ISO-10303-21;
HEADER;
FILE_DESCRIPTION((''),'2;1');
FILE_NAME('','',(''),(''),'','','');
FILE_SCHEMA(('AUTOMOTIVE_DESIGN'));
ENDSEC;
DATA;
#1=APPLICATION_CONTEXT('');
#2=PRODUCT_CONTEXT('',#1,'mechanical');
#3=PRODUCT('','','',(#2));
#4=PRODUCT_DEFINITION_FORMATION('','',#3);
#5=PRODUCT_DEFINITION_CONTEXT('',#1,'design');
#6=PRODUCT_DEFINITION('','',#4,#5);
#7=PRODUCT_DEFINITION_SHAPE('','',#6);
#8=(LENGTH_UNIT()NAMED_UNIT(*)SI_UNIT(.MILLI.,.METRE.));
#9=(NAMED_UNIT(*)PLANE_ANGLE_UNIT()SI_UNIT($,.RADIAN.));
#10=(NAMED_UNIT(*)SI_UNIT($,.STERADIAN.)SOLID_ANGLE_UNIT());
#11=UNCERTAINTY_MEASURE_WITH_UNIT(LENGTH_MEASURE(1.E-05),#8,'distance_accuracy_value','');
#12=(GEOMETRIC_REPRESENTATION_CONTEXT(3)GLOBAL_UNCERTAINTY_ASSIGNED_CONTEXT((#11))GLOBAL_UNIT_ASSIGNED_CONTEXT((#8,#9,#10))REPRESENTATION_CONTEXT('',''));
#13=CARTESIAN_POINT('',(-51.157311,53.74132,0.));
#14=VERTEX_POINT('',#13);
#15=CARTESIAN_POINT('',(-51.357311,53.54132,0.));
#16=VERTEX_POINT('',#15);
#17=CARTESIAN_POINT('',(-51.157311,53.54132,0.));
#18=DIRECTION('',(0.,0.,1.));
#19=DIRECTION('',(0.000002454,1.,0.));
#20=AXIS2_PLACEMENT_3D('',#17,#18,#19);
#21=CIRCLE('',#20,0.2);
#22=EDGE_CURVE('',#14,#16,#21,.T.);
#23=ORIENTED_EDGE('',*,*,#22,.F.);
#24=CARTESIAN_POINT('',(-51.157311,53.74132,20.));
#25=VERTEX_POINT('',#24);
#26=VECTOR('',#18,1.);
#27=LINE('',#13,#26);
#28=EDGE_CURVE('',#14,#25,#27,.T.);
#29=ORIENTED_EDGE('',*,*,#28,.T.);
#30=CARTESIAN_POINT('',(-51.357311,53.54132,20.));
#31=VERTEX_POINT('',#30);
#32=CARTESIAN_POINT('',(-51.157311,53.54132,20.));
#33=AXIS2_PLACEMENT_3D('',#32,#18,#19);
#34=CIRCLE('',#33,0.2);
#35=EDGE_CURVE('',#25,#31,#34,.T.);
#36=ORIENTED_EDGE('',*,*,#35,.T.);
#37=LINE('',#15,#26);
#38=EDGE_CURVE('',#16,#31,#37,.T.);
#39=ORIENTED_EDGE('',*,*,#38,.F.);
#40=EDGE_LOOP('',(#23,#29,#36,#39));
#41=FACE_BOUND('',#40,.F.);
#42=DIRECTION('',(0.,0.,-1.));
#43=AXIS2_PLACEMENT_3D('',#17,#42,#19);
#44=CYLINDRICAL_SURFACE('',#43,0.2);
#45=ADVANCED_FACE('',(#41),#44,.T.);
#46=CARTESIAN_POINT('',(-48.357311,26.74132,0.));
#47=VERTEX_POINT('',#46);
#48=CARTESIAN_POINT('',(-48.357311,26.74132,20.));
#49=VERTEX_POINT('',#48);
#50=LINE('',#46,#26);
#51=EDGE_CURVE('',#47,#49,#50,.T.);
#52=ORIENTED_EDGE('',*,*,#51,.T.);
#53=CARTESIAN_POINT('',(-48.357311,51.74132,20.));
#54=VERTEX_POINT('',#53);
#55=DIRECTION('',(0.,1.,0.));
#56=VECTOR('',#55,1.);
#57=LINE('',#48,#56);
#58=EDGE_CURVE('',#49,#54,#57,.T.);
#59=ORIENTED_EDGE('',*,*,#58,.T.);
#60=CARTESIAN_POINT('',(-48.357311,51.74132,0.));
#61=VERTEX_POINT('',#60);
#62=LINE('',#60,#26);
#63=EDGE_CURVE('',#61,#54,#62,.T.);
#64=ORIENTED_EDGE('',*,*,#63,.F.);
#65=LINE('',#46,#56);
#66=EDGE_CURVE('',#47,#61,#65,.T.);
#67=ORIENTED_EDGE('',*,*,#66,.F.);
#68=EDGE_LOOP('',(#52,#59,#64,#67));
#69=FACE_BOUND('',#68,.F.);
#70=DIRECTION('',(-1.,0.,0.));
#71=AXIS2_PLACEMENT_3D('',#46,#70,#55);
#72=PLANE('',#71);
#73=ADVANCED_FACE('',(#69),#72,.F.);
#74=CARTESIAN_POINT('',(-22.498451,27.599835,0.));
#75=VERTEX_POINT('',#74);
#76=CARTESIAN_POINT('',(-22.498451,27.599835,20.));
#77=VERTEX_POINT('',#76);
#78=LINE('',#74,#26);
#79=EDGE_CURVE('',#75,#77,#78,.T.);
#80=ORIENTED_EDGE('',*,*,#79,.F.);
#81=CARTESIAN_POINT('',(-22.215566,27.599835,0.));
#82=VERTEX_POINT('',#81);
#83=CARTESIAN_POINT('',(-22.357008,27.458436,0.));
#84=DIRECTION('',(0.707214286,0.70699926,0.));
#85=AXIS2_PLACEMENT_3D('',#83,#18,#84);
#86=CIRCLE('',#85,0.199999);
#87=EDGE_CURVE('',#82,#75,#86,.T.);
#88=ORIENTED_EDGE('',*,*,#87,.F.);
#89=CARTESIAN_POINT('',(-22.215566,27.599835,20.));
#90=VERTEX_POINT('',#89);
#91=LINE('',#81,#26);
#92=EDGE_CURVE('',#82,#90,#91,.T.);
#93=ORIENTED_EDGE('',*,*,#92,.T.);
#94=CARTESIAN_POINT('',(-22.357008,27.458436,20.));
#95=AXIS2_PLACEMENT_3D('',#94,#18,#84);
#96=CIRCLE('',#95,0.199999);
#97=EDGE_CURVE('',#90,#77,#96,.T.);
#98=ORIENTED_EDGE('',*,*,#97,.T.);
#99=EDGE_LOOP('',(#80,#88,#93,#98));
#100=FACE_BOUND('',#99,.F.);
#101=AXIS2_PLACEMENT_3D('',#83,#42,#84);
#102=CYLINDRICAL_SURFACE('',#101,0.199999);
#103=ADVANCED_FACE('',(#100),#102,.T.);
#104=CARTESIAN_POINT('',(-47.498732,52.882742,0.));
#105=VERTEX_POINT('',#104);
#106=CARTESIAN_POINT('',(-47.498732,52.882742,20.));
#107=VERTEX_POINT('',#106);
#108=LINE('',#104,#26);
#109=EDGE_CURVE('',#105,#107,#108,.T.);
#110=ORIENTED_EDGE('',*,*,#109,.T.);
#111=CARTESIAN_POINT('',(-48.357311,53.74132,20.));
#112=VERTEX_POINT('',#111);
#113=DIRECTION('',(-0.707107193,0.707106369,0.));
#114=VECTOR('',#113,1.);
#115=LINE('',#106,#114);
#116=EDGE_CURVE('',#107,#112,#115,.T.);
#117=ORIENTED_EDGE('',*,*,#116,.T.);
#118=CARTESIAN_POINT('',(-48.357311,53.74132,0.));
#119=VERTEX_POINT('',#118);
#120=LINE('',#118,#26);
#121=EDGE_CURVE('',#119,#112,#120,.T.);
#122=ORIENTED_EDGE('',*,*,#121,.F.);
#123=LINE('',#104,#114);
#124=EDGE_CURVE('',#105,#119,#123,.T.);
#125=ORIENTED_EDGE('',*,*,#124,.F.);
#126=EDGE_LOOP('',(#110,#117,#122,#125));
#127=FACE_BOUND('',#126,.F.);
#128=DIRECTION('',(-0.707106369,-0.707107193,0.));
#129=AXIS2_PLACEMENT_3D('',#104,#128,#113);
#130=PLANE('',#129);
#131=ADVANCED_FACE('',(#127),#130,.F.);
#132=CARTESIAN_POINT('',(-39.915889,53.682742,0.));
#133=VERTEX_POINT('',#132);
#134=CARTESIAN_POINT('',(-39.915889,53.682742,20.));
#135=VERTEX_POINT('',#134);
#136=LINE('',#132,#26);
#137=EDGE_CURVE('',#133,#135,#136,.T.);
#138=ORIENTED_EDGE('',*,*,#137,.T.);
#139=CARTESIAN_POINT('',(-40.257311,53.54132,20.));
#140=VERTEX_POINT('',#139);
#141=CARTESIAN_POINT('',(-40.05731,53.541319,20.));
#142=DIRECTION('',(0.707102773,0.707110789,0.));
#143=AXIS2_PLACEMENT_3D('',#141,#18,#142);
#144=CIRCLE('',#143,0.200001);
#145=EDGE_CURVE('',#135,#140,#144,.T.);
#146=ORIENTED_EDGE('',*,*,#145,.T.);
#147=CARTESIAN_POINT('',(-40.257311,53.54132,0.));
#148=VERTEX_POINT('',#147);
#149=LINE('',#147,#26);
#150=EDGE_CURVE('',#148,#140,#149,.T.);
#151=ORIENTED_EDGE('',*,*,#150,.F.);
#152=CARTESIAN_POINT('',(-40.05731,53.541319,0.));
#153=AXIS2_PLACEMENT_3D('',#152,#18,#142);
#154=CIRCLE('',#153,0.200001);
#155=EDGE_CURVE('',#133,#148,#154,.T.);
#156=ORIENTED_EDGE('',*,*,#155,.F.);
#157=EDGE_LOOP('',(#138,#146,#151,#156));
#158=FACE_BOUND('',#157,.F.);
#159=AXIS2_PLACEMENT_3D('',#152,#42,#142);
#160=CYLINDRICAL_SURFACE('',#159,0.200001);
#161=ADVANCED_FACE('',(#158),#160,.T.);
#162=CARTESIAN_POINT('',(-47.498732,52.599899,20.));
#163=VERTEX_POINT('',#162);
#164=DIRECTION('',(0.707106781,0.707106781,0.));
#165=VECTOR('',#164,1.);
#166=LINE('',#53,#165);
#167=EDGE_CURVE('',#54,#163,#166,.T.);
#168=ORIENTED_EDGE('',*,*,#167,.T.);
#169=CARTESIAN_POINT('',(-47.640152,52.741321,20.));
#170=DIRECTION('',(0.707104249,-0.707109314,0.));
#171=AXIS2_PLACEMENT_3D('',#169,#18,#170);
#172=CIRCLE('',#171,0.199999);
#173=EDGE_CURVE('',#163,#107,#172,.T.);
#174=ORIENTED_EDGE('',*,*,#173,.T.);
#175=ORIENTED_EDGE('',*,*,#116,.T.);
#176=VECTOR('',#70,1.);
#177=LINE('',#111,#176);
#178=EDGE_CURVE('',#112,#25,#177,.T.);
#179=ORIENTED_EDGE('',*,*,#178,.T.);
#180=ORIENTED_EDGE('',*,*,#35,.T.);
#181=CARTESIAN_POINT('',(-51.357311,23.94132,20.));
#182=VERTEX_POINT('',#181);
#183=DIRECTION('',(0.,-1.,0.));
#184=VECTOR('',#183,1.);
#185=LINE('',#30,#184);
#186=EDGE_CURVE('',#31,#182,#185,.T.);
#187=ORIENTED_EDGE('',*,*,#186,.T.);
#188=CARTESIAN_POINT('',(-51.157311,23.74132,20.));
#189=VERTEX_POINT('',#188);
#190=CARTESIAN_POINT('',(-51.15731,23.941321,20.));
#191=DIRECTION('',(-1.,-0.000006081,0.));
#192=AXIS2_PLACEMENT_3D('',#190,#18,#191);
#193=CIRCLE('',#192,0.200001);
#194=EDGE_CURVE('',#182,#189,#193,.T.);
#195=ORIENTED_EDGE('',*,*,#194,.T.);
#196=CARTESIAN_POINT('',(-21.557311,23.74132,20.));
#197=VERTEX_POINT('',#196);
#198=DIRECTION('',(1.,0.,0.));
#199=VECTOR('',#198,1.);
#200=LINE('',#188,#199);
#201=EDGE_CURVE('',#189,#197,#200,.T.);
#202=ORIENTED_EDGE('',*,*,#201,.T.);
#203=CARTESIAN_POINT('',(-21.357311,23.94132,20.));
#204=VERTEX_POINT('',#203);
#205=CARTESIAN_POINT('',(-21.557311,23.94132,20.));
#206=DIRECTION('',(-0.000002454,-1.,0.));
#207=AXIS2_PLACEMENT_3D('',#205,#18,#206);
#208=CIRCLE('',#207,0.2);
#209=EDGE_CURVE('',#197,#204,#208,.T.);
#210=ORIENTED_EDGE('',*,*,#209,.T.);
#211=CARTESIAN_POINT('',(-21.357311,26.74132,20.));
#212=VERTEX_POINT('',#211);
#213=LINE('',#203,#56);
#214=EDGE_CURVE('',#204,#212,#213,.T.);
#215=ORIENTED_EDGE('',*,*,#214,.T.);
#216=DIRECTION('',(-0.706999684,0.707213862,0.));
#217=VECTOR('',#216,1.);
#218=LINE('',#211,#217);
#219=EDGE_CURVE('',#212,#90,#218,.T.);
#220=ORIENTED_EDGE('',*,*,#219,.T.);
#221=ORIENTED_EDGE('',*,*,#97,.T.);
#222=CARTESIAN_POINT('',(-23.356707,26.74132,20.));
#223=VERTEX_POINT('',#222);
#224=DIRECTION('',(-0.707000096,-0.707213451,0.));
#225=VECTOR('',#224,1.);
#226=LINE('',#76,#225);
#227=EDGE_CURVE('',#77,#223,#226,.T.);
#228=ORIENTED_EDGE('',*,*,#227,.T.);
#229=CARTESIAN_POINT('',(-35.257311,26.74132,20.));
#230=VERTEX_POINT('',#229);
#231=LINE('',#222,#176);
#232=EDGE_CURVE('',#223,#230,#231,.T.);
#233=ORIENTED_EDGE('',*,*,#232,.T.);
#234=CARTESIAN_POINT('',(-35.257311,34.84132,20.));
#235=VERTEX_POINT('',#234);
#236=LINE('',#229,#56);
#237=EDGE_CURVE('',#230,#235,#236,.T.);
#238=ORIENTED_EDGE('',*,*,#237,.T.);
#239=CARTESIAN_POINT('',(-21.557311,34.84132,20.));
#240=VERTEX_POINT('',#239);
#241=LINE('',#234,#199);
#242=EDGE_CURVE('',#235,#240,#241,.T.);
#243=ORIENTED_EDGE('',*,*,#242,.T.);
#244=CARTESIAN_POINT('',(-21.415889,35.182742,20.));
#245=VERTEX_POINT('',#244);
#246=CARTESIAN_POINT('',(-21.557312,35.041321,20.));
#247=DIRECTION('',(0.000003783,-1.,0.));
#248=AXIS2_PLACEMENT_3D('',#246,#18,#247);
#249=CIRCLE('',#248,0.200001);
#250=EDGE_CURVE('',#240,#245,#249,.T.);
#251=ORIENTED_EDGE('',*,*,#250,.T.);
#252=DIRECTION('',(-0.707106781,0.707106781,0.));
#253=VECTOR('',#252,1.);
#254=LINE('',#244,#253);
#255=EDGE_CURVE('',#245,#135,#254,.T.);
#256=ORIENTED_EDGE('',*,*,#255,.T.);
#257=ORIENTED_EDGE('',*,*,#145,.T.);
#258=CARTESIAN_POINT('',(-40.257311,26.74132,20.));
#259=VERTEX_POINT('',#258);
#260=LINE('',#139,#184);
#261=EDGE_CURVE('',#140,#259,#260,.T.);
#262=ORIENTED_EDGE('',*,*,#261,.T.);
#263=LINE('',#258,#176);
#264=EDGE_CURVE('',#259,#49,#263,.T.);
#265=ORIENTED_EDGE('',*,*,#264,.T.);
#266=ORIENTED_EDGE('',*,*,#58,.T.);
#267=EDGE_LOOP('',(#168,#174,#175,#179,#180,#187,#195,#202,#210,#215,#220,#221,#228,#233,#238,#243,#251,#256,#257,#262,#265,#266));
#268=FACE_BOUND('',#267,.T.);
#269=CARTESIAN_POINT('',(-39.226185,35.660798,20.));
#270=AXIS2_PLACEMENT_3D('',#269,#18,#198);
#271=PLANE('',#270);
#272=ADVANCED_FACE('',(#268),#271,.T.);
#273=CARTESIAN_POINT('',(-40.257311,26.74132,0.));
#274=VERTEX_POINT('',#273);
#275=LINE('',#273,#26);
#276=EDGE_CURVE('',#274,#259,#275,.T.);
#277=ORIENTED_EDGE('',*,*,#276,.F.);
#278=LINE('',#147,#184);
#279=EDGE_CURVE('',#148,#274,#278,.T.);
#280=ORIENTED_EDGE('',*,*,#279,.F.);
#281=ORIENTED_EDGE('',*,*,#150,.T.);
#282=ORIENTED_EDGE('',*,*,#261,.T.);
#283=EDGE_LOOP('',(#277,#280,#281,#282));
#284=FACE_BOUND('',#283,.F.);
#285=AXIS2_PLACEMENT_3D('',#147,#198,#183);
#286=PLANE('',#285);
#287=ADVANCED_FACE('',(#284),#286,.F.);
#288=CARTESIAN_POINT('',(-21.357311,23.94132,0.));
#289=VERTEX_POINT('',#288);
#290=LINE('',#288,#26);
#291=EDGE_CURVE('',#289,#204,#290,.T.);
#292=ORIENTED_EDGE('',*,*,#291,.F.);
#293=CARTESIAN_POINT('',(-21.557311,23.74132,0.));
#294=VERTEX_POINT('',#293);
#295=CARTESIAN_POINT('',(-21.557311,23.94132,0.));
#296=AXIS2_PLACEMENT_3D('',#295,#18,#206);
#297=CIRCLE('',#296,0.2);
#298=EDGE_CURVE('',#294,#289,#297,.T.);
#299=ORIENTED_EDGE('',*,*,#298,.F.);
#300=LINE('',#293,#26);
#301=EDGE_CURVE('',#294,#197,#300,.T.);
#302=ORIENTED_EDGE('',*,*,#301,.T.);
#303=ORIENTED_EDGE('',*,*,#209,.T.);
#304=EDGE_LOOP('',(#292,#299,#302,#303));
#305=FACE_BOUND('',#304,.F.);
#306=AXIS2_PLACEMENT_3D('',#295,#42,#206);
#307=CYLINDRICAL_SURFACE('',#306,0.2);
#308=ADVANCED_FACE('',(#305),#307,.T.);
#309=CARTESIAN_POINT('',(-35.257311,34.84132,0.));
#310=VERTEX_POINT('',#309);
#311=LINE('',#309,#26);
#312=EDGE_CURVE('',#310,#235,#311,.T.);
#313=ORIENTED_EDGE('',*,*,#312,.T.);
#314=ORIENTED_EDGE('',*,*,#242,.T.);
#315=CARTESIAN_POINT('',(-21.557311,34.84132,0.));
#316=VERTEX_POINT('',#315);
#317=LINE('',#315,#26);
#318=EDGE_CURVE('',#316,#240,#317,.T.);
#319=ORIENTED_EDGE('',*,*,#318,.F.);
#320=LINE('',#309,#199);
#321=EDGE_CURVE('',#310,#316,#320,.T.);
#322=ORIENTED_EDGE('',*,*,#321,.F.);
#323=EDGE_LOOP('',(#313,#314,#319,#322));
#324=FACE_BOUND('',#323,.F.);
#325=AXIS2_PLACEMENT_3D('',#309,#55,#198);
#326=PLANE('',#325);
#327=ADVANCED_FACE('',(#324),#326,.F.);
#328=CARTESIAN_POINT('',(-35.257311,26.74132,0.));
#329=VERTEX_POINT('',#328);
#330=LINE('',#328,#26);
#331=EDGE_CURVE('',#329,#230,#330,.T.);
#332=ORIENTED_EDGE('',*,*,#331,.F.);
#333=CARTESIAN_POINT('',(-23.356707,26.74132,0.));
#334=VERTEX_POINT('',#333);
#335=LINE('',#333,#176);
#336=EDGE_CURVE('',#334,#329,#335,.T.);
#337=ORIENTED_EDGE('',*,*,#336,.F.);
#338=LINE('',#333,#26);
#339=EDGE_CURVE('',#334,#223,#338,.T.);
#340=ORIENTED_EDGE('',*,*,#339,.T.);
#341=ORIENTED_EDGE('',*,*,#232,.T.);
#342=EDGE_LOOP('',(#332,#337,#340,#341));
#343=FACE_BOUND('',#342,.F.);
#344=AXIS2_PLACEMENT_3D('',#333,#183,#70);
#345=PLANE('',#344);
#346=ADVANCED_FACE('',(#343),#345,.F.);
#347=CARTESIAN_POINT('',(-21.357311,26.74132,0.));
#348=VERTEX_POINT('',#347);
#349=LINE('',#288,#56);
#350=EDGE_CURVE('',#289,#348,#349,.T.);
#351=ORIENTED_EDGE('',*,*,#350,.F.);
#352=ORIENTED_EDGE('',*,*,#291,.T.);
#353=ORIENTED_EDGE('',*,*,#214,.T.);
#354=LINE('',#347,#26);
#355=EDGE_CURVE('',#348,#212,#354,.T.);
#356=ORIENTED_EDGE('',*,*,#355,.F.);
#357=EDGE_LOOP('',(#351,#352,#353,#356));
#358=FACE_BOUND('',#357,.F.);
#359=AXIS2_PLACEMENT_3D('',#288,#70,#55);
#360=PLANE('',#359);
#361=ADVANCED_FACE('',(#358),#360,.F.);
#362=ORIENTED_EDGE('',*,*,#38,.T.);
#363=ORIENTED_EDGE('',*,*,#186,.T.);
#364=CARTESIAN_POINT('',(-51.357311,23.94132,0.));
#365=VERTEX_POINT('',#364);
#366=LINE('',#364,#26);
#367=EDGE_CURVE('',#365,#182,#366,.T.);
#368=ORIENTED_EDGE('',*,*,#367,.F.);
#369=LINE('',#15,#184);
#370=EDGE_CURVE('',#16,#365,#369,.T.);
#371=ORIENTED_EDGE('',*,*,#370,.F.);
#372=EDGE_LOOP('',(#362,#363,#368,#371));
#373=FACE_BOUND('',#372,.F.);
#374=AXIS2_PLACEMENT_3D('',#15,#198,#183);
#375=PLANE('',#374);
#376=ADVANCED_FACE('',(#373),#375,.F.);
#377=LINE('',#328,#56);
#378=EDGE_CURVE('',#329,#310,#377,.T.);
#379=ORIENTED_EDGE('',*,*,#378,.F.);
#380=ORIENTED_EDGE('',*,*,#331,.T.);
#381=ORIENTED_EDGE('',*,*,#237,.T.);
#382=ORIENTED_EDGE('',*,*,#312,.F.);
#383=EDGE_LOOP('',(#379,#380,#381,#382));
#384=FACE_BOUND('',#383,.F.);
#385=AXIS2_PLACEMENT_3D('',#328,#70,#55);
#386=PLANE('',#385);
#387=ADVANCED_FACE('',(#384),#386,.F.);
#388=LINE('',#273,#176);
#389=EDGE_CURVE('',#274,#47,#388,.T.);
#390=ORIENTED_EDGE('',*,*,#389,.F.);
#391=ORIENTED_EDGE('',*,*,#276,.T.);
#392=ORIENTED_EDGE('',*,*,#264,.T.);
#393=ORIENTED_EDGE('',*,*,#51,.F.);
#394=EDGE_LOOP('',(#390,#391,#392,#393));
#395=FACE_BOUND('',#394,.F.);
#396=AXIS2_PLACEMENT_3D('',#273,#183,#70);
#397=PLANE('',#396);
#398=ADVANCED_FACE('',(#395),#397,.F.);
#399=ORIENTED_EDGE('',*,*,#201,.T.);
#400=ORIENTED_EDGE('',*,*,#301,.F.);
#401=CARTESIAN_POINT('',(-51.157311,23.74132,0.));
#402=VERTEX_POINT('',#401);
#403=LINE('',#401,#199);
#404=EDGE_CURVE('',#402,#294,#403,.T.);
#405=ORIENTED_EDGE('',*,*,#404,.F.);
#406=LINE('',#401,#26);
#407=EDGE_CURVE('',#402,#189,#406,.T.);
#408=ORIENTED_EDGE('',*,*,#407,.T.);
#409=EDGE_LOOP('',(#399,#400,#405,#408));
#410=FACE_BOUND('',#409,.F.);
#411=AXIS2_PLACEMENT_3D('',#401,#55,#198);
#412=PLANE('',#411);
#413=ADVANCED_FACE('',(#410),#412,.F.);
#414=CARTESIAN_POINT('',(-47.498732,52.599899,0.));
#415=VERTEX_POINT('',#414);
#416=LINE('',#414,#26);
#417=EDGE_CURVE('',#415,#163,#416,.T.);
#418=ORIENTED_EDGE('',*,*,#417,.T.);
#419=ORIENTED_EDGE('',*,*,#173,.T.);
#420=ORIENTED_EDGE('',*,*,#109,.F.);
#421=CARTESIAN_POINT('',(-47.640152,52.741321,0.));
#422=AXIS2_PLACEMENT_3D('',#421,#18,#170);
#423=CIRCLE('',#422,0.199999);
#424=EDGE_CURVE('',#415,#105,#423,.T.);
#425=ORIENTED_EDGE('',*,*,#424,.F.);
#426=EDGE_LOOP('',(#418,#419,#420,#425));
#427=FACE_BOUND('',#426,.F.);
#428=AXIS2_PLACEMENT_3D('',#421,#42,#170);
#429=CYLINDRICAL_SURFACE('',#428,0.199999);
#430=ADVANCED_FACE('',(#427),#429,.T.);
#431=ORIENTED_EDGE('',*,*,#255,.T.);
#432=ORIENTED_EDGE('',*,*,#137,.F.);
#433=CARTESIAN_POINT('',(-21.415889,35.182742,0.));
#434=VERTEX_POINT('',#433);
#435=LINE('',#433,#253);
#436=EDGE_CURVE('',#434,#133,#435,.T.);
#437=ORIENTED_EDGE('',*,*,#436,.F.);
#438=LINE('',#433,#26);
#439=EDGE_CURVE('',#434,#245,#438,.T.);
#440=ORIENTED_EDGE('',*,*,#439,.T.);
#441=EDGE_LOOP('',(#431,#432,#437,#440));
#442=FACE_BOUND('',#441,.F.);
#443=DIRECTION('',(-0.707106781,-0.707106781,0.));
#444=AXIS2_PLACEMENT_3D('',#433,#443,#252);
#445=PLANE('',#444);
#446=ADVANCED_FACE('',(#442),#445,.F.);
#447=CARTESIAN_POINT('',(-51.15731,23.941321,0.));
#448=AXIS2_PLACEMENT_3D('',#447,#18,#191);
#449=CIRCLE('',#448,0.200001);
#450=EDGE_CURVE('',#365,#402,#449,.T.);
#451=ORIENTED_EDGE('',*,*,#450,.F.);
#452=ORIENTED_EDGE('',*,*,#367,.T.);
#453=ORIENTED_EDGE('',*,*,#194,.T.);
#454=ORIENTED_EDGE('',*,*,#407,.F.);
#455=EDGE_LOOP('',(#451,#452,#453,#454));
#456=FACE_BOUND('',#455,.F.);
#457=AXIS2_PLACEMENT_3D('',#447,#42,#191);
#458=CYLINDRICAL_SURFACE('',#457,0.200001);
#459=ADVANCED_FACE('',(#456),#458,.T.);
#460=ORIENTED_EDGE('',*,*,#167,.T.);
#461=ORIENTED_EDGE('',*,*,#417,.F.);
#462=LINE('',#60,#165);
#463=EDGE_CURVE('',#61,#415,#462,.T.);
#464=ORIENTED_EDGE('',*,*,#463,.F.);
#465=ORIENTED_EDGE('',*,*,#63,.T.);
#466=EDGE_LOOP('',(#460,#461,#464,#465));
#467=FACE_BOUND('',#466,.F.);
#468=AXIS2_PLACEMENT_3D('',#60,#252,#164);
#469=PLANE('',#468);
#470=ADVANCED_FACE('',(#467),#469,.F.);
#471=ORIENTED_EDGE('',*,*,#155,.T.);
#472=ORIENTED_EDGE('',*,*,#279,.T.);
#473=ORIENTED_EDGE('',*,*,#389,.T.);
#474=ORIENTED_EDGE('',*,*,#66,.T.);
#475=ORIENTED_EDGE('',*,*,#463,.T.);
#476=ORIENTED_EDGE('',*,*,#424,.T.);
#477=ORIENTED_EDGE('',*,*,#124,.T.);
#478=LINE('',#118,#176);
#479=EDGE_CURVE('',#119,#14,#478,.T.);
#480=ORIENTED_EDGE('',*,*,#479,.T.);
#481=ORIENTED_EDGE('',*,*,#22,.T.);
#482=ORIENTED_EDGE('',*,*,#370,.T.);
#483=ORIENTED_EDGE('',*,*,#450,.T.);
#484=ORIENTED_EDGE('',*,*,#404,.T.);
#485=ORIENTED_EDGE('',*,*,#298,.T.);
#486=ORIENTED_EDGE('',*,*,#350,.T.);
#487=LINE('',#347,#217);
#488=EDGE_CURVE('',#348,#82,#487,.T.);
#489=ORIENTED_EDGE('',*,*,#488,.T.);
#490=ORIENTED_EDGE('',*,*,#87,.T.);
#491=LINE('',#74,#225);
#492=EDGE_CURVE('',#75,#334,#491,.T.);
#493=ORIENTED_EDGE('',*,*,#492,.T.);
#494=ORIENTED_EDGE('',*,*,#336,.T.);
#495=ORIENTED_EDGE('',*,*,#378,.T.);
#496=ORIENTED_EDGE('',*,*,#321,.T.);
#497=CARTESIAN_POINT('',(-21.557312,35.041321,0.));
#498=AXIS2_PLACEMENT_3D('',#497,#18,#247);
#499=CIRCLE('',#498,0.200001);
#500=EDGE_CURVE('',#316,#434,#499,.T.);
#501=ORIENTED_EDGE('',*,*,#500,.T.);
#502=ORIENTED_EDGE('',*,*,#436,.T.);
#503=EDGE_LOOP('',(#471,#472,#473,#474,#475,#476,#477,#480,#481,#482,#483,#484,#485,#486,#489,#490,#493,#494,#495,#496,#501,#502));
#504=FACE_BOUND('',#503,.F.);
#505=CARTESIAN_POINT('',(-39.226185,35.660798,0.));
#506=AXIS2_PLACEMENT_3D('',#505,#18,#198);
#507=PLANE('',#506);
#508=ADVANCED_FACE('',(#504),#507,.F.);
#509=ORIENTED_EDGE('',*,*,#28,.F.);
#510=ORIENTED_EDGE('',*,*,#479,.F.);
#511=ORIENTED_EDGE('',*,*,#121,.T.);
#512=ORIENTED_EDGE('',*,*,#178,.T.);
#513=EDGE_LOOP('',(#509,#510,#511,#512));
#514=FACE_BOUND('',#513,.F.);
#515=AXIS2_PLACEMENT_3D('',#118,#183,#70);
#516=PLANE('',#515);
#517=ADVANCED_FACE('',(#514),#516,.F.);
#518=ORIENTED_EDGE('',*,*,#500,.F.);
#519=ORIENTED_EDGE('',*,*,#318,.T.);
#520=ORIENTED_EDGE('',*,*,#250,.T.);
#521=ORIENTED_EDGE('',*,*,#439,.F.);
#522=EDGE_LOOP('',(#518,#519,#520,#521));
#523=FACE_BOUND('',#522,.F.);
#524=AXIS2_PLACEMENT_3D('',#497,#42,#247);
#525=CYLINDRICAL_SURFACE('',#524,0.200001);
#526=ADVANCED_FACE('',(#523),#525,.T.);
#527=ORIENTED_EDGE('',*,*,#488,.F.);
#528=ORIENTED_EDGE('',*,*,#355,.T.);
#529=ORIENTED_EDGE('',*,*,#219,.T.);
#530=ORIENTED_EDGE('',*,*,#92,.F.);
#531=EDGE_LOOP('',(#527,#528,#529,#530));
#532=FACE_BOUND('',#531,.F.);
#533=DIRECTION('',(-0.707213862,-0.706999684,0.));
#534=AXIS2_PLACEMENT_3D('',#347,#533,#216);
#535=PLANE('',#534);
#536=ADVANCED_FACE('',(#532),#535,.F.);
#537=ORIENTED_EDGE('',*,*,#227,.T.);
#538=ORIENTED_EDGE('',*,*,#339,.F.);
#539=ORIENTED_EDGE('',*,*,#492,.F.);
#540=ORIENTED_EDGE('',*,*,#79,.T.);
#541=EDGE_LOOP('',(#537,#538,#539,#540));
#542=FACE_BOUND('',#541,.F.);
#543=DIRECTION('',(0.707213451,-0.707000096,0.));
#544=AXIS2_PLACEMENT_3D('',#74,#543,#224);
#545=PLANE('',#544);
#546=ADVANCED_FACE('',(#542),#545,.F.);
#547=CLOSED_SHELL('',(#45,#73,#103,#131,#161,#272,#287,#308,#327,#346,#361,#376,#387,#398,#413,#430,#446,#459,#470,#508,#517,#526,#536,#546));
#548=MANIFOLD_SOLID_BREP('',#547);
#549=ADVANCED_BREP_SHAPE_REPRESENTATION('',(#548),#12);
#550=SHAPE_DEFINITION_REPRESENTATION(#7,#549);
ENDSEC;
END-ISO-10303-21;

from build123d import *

# Parameters (mm, degrees)
F1_DEPTH = 20


with BuildPart() as f1:
    # F0 (on Top) → F1 (new body)
    with BuildSketch(Plane.XY):
        with BuildLine():
            Line((-48.357311, 53.74132), (-51.157311, 53.74132))
            ThreePointArc((-51.157311, 53.74132), (-51.298732, 53.682742), (-51.357311, 53.54132))
            Line((-51.357311, 53.54132), (-51.357311, 23.94132))
            ThreePointArc((-51.357311, 23.94132), (-51.298732, 23.799899), (-51.157311, 23.74132))
            Line((-51.157311, 23.74132), (-21.557311, 23.74132))
            ThreePointArc((-21.557311, 23.74132), (-21.415889, 23.799899), (-21.357311, 23.94132))
            Line((-21.357311, 23.94132), (-21.357311, 26.74132))
            Line((-21.357311, 26.74132), (-22.215566, 27.599835))
            ThreePointArc((-22.215566, 27.599835), (-22.357009, 27.658435), (-22.498451, 27.599835))
            Line((-22.498451, 27.599835), (-23.356707, 26.74132))
            Line((-23.356707, 26.74132), (-35.257311, 26.74132))
            Line((-35.257311, 26.74132), (-35.257311, 34.84132))
            Line((-35.257311, 34.84132), (-21.557311, 34.84132))
            ThreePointArc((-21.557311, 34.84132), (-21.372535, 34.964784), (-21.415889, 35.182742))
            Line((-21.415889, 35.182742), (-39.915889, 53.682742))
            ThreePointArc((-39.915889, 53.682742), (-40.133847, 53.726096), (-40.257311, 53.54132))
            Line((-40.257311, 53.54132), (-40.257311, 26.74132))
            Line((-40.257311, 26.74132), (-48.357311, 26.74132))
            Line((-48.357311, 26.74132), (-48.357311, 51.74132))
            Line((-48.357311, 51.74132), (-47.498732, 52.599899))
            ThreePointArc((-47.498732, 52.599899), (-47.440153, 52.74132), (-47.498732, 52.882742))
            Line((-47.498732, 52.882742), (-48.357311, 53.74132))
        make_face()
    extrude(amount=F1_DEPTH)


solid = f1.part
